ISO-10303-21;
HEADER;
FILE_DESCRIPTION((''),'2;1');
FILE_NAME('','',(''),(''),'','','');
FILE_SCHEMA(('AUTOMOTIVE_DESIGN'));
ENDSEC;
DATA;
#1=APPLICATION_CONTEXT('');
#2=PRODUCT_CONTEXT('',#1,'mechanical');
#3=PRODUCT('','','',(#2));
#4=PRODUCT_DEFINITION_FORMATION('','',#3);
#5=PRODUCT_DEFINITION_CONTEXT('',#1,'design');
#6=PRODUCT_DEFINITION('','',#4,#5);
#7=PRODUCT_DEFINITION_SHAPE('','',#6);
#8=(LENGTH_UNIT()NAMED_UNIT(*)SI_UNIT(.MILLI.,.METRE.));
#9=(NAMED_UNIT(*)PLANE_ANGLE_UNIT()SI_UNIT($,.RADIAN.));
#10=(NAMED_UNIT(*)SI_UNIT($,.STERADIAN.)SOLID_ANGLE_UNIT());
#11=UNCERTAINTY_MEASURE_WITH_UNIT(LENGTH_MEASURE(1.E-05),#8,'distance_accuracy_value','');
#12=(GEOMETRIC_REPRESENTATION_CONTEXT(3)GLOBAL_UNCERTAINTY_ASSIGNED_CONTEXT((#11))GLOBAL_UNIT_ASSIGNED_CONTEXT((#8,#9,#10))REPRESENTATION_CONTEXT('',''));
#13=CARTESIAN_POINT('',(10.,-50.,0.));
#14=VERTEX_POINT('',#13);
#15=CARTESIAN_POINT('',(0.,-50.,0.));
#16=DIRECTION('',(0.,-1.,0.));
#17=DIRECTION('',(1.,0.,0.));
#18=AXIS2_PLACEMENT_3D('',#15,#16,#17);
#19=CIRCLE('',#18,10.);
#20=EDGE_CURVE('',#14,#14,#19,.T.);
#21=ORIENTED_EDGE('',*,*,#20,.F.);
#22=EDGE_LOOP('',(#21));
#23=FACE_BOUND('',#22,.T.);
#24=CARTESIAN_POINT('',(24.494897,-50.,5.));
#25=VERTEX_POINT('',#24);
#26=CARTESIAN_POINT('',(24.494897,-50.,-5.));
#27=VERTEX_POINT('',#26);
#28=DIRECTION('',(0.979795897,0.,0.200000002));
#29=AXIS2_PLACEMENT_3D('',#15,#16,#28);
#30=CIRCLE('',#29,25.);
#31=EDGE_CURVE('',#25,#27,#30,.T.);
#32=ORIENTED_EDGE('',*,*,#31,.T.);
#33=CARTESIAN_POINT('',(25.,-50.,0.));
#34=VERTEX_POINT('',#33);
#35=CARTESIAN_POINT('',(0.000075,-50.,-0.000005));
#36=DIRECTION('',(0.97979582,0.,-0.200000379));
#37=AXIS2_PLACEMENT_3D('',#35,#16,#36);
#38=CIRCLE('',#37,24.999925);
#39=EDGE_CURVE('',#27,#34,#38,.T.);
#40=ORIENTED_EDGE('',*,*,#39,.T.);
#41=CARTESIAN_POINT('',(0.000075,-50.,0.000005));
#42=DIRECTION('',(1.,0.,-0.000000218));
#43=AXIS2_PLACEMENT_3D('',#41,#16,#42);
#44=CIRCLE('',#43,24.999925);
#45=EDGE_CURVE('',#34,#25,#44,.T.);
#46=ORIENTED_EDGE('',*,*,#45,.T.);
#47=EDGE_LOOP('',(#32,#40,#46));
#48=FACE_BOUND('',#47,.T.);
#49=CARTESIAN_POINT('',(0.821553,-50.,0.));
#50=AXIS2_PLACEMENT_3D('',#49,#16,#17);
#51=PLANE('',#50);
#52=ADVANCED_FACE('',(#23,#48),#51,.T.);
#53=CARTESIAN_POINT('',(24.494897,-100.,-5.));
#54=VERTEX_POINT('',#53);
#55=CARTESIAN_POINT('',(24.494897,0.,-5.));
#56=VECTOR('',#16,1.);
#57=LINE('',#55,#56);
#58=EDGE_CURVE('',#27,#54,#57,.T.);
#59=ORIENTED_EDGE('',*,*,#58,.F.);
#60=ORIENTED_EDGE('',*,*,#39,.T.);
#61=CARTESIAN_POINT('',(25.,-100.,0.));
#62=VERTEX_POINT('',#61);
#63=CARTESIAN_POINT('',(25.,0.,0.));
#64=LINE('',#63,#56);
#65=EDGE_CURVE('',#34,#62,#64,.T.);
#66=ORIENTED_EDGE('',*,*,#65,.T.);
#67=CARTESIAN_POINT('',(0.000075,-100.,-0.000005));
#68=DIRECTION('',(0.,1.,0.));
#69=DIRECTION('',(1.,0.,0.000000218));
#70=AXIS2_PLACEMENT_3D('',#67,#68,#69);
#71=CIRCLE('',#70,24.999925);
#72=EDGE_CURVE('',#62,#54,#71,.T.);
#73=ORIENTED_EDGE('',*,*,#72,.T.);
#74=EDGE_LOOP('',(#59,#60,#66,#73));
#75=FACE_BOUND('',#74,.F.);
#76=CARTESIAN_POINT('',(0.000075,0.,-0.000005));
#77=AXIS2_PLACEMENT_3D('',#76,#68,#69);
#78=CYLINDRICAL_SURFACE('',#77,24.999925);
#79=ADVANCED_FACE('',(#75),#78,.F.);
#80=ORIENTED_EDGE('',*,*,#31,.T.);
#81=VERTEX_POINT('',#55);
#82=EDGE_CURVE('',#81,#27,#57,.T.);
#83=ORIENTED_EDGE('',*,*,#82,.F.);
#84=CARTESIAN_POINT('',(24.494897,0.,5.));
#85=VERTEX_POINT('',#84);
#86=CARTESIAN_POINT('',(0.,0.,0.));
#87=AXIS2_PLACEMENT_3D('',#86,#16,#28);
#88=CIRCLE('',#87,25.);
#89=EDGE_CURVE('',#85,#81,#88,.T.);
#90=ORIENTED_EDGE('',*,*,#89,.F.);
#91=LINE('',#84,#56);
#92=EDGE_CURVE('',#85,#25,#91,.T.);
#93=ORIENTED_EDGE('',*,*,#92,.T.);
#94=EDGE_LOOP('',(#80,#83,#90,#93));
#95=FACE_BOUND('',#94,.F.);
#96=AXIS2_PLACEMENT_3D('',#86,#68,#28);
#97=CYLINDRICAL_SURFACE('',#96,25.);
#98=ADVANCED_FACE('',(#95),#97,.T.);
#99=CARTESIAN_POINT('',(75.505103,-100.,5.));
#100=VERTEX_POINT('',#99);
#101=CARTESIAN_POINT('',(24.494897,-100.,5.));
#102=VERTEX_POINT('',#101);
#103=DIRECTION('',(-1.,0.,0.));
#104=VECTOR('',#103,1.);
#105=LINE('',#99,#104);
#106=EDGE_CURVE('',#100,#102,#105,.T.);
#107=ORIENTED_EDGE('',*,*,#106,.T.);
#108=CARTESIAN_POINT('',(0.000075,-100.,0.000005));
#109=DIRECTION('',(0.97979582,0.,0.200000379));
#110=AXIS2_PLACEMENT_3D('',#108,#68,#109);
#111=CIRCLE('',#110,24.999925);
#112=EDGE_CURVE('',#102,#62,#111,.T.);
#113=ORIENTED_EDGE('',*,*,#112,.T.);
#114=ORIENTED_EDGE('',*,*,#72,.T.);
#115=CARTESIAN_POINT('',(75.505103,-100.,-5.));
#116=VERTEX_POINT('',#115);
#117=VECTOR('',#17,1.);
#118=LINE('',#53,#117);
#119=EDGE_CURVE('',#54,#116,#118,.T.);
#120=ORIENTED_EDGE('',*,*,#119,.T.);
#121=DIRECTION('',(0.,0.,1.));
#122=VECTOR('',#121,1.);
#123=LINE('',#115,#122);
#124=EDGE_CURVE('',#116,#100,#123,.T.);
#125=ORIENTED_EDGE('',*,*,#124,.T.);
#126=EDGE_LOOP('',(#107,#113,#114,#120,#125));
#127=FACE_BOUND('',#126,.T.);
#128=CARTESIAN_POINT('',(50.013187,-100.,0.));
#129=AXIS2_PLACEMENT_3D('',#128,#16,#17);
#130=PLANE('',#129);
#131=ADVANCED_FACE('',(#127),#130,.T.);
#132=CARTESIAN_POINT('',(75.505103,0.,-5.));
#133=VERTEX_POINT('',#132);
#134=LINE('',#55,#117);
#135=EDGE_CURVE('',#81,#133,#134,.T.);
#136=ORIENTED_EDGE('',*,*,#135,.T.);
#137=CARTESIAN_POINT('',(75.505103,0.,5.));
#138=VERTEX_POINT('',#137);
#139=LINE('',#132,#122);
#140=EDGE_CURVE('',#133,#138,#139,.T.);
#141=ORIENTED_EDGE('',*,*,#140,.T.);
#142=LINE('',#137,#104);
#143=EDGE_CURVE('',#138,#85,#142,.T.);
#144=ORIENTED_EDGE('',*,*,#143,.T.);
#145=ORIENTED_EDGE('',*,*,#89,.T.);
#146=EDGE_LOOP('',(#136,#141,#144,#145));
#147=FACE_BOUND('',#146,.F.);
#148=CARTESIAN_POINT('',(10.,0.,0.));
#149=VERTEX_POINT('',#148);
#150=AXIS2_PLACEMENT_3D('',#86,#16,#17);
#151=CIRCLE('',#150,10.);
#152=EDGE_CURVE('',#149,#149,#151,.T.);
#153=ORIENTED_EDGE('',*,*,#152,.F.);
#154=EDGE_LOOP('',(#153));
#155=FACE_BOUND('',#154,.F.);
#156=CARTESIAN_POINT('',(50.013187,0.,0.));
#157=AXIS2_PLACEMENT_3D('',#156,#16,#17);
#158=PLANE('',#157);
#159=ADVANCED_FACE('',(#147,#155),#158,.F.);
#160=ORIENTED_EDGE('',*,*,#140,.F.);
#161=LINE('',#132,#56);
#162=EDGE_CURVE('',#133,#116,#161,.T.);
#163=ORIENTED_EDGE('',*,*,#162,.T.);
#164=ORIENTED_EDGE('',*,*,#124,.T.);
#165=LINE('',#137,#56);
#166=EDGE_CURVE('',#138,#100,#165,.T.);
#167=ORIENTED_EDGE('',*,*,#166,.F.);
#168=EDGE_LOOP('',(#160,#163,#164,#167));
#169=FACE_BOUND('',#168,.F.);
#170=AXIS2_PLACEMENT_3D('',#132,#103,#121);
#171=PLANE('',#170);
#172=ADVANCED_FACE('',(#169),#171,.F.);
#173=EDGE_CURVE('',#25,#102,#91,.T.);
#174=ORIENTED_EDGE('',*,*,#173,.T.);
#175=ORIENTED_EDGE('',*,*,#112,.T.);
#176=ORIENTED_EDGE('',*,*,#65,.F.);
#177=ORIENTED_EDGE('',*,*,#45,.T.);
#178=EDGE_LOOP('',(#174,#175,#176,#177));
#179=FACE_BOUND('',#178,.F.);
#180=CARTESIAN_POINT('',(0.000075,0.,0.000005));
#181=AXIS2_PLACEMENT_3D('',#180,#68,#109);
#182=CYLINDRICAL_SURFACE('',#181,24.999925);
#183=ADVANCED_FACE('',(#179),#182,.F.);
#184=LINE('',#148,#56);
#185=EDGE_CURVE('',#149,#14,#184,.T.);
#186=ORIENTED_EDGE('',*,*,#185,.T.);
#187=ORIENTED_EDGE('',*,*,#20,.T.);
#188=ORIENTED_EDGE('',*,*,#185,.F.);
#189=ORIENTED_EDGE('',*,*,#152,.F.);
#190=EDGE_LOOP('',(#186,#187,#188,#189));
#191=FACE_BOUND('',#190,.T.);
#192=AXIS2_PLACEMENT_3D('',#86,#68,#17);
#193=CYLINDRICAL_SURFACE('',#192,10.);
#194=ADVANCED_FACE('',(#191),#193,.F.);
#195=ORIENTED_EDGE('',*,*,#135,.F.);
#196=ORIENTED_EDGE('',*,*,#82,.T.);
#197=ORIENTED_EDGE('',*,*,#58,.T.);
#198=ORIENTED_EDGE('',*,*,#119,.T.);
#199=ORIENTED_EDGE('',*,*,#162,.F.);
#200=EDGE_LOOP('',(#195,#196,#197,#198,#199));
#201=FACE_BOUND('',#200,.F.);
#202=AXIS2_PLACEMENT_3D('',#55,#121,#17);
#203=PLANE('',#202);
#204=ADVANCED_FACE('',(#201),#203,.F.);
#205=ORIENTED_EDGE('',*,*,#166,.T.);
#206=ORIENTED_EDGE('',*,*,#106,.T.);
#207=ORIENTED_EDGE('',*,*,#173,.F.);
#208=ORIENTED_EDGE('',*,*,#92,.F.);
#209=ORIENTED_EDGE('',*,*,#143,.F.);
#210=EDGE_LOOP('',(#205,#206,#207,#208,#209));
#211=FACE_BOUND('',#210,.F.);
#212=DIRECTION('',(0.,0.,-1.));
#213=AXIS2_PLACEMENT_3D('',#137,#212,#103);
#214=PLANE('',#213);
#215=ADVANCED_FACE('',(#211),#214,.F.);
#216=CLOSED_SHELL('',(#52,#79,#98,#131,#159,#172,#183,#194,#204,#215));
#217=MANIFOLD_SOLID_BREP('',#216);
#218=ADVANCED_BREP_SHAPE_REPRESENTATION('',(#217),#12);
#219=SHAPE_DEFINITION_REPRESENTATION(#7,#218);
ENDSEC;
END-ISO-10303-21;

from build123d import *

# Parameters (mm, degrees)
F0_R     = 10
F1_DEPTH = 50
F2_DEPTH = 100


with BuildPart() as f1:
    # F0 (on Front) → F1 (new body)
    with BuildSketch(Plane.XZ):
        with BuildLine():
            ThreePointArc((24.494897, -5), (24.873404, -2.512724), (25, 0))
            ThreePointArc((25, 0), (24.873404, 2.512724), (24.494897, 5))
            ThreePointArc((24.494897, 5), (-25, 0), (24.494897, -5))
        make_face()
        Circle(F0_R, mode=Mode.SUBTRACT)
    extrude(amount=F1_DEPTH)

    # F0 (on Front) → F2 (join)
    with BuildSketch(Plane.XZ):
        with BuildLine():
            ThreePointArc((24.494897, 5), (24.873404, 2.512724), (25, 0))
            ThreePointArc((25, 0), (24.873404, -2.512724), (24.494897, -5))
            Line((24.494897, -5), (75.505103, -5))
            Line((75.505103, -5), (75.505103, 5))
            Line((75.505103, 5), (24.494897, 5))
        make_face()
    extrude(amount=F2_DEPTH)


solid = f1.part
